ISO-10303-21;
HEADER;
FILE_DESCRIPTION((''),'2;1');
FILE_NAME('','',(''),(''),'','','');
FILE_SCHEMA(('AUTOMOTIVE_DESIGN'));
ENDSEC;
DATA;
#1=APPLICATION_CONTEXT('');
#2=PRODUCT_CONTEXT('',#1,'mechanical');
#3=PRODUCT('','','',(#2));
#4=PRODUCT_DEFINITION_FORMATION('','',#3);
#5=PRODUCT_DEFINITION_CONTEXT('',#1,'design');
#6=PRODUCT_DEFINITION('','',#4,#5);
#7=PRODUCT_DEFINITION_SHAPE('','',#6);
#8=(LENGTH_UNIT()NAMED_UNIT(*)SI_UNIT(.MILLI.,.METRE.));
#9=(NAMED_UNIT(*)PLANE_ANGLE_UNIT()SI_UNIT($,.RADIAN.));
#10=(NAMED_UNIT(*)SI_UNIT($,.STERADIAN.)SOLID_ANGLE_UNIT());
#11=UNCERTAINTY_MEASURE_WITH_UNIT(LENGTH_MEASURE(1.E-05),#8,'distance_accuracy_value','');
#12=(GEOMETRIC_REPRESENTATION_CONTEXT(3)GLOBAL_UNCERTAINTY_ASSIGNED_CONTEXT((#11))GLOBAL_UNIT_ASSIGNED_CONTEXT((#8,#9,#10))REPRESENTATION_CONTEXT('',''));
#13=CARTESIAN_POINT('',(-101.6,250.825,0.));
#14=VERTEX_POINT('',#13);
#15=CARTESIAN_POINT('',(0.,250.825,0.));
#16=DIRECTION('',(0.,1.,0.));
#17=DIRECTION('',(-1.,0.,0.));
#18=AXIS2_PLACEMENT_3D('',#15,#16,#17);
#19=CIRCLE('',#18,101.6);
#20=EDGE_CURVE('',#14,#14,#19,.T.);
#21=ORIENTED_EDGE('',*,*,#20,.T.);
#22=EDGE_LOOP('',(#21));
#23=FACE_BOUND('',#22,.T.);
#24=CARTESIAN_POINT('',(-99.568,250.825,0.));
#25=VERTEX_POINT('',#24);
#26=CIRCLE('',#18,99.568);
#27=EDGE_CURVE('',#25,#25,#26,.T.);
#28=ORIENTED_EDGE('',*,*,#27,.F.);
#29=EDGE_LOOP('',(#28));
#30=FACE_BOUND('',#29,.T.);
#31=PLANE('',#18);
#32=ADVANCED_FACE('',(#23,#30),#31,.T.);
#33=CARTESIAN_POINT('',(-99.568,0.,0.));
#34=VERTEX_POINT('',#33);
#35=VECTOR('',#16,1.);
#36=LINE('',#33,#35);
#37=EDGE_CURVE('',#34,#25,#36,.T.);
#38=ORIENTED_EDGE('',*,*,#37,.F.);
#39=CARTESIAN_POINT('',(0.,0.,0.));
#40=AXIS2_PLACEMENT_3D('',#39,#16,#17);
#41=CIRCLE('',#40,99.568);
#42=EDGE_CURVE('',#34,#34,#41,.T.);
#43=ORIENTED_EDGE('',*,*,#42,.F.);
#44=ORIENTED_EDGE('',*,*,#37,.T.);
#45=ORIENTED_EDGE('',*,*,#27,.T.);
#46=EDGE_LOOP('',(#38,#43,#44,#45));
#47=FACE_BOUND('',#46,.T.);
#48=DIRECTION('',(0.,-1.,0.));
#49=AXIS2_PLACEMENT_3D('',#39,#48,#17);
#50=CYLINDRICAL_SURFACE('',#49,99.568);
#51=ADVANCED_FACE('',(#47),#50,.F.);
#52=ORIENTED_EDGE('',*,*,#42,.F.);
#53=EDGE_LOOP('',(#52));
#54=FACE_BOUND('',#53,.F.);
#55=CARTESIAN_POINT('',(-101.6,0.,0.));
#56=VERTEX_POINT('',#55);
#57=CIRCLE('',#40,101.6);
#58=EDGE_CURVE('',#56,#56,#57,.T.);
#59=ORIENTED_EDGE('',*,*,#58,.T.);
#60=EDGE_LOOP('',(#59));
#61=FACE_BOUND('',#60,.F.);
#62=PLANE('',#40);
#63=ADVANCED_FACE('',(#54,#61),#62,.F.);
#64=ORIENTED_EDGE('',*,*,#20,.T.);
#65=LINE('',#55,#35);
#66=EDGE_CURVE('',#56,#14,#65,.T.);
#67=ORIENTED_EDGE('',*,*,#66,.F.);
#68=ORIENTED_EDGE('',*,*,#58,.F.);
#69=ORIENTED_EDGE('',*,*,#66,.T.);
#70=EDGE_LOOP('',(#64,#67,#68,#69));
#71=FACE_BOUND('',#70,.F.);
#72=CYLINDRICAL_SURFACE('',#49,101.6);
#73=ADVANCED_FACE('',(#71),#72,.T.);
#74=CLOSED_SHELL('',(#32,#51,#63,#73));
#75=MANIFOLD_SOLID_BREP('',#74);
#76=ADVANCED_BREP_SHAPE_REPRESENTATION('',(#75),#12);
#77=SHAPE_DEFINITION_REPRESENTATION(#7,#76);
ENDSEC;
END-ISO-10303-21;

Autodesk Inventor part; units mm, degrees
ref_plane "YZ Plane" through (0, 0, 0) normal (1, 0, 0) x (0, 1, 0)
ref_plane "XZ Plane" through (0, 0, 0) normal (0, 1, 0) x (-1, 0, 0)
ref_plane "XY Plane" through (0, 0, 0) normal (0, 0, 1) x (1, 0, 0)
sketch "Sketch1" plane through (0, 0, 0) normal (0, 1, 0) x (-1, 0, 0)
  circle A0 centre (0, 0) radius 101.6
  circle A1 centre (0, 0) radius 99.568
  dimension "d0" = 203.2
  dimension "d1" = 2.032
extrude "Extrusion1" add sketch "Sketch1" along normal blind 250.825
properties part number "4K sheild body" material "Copper"
